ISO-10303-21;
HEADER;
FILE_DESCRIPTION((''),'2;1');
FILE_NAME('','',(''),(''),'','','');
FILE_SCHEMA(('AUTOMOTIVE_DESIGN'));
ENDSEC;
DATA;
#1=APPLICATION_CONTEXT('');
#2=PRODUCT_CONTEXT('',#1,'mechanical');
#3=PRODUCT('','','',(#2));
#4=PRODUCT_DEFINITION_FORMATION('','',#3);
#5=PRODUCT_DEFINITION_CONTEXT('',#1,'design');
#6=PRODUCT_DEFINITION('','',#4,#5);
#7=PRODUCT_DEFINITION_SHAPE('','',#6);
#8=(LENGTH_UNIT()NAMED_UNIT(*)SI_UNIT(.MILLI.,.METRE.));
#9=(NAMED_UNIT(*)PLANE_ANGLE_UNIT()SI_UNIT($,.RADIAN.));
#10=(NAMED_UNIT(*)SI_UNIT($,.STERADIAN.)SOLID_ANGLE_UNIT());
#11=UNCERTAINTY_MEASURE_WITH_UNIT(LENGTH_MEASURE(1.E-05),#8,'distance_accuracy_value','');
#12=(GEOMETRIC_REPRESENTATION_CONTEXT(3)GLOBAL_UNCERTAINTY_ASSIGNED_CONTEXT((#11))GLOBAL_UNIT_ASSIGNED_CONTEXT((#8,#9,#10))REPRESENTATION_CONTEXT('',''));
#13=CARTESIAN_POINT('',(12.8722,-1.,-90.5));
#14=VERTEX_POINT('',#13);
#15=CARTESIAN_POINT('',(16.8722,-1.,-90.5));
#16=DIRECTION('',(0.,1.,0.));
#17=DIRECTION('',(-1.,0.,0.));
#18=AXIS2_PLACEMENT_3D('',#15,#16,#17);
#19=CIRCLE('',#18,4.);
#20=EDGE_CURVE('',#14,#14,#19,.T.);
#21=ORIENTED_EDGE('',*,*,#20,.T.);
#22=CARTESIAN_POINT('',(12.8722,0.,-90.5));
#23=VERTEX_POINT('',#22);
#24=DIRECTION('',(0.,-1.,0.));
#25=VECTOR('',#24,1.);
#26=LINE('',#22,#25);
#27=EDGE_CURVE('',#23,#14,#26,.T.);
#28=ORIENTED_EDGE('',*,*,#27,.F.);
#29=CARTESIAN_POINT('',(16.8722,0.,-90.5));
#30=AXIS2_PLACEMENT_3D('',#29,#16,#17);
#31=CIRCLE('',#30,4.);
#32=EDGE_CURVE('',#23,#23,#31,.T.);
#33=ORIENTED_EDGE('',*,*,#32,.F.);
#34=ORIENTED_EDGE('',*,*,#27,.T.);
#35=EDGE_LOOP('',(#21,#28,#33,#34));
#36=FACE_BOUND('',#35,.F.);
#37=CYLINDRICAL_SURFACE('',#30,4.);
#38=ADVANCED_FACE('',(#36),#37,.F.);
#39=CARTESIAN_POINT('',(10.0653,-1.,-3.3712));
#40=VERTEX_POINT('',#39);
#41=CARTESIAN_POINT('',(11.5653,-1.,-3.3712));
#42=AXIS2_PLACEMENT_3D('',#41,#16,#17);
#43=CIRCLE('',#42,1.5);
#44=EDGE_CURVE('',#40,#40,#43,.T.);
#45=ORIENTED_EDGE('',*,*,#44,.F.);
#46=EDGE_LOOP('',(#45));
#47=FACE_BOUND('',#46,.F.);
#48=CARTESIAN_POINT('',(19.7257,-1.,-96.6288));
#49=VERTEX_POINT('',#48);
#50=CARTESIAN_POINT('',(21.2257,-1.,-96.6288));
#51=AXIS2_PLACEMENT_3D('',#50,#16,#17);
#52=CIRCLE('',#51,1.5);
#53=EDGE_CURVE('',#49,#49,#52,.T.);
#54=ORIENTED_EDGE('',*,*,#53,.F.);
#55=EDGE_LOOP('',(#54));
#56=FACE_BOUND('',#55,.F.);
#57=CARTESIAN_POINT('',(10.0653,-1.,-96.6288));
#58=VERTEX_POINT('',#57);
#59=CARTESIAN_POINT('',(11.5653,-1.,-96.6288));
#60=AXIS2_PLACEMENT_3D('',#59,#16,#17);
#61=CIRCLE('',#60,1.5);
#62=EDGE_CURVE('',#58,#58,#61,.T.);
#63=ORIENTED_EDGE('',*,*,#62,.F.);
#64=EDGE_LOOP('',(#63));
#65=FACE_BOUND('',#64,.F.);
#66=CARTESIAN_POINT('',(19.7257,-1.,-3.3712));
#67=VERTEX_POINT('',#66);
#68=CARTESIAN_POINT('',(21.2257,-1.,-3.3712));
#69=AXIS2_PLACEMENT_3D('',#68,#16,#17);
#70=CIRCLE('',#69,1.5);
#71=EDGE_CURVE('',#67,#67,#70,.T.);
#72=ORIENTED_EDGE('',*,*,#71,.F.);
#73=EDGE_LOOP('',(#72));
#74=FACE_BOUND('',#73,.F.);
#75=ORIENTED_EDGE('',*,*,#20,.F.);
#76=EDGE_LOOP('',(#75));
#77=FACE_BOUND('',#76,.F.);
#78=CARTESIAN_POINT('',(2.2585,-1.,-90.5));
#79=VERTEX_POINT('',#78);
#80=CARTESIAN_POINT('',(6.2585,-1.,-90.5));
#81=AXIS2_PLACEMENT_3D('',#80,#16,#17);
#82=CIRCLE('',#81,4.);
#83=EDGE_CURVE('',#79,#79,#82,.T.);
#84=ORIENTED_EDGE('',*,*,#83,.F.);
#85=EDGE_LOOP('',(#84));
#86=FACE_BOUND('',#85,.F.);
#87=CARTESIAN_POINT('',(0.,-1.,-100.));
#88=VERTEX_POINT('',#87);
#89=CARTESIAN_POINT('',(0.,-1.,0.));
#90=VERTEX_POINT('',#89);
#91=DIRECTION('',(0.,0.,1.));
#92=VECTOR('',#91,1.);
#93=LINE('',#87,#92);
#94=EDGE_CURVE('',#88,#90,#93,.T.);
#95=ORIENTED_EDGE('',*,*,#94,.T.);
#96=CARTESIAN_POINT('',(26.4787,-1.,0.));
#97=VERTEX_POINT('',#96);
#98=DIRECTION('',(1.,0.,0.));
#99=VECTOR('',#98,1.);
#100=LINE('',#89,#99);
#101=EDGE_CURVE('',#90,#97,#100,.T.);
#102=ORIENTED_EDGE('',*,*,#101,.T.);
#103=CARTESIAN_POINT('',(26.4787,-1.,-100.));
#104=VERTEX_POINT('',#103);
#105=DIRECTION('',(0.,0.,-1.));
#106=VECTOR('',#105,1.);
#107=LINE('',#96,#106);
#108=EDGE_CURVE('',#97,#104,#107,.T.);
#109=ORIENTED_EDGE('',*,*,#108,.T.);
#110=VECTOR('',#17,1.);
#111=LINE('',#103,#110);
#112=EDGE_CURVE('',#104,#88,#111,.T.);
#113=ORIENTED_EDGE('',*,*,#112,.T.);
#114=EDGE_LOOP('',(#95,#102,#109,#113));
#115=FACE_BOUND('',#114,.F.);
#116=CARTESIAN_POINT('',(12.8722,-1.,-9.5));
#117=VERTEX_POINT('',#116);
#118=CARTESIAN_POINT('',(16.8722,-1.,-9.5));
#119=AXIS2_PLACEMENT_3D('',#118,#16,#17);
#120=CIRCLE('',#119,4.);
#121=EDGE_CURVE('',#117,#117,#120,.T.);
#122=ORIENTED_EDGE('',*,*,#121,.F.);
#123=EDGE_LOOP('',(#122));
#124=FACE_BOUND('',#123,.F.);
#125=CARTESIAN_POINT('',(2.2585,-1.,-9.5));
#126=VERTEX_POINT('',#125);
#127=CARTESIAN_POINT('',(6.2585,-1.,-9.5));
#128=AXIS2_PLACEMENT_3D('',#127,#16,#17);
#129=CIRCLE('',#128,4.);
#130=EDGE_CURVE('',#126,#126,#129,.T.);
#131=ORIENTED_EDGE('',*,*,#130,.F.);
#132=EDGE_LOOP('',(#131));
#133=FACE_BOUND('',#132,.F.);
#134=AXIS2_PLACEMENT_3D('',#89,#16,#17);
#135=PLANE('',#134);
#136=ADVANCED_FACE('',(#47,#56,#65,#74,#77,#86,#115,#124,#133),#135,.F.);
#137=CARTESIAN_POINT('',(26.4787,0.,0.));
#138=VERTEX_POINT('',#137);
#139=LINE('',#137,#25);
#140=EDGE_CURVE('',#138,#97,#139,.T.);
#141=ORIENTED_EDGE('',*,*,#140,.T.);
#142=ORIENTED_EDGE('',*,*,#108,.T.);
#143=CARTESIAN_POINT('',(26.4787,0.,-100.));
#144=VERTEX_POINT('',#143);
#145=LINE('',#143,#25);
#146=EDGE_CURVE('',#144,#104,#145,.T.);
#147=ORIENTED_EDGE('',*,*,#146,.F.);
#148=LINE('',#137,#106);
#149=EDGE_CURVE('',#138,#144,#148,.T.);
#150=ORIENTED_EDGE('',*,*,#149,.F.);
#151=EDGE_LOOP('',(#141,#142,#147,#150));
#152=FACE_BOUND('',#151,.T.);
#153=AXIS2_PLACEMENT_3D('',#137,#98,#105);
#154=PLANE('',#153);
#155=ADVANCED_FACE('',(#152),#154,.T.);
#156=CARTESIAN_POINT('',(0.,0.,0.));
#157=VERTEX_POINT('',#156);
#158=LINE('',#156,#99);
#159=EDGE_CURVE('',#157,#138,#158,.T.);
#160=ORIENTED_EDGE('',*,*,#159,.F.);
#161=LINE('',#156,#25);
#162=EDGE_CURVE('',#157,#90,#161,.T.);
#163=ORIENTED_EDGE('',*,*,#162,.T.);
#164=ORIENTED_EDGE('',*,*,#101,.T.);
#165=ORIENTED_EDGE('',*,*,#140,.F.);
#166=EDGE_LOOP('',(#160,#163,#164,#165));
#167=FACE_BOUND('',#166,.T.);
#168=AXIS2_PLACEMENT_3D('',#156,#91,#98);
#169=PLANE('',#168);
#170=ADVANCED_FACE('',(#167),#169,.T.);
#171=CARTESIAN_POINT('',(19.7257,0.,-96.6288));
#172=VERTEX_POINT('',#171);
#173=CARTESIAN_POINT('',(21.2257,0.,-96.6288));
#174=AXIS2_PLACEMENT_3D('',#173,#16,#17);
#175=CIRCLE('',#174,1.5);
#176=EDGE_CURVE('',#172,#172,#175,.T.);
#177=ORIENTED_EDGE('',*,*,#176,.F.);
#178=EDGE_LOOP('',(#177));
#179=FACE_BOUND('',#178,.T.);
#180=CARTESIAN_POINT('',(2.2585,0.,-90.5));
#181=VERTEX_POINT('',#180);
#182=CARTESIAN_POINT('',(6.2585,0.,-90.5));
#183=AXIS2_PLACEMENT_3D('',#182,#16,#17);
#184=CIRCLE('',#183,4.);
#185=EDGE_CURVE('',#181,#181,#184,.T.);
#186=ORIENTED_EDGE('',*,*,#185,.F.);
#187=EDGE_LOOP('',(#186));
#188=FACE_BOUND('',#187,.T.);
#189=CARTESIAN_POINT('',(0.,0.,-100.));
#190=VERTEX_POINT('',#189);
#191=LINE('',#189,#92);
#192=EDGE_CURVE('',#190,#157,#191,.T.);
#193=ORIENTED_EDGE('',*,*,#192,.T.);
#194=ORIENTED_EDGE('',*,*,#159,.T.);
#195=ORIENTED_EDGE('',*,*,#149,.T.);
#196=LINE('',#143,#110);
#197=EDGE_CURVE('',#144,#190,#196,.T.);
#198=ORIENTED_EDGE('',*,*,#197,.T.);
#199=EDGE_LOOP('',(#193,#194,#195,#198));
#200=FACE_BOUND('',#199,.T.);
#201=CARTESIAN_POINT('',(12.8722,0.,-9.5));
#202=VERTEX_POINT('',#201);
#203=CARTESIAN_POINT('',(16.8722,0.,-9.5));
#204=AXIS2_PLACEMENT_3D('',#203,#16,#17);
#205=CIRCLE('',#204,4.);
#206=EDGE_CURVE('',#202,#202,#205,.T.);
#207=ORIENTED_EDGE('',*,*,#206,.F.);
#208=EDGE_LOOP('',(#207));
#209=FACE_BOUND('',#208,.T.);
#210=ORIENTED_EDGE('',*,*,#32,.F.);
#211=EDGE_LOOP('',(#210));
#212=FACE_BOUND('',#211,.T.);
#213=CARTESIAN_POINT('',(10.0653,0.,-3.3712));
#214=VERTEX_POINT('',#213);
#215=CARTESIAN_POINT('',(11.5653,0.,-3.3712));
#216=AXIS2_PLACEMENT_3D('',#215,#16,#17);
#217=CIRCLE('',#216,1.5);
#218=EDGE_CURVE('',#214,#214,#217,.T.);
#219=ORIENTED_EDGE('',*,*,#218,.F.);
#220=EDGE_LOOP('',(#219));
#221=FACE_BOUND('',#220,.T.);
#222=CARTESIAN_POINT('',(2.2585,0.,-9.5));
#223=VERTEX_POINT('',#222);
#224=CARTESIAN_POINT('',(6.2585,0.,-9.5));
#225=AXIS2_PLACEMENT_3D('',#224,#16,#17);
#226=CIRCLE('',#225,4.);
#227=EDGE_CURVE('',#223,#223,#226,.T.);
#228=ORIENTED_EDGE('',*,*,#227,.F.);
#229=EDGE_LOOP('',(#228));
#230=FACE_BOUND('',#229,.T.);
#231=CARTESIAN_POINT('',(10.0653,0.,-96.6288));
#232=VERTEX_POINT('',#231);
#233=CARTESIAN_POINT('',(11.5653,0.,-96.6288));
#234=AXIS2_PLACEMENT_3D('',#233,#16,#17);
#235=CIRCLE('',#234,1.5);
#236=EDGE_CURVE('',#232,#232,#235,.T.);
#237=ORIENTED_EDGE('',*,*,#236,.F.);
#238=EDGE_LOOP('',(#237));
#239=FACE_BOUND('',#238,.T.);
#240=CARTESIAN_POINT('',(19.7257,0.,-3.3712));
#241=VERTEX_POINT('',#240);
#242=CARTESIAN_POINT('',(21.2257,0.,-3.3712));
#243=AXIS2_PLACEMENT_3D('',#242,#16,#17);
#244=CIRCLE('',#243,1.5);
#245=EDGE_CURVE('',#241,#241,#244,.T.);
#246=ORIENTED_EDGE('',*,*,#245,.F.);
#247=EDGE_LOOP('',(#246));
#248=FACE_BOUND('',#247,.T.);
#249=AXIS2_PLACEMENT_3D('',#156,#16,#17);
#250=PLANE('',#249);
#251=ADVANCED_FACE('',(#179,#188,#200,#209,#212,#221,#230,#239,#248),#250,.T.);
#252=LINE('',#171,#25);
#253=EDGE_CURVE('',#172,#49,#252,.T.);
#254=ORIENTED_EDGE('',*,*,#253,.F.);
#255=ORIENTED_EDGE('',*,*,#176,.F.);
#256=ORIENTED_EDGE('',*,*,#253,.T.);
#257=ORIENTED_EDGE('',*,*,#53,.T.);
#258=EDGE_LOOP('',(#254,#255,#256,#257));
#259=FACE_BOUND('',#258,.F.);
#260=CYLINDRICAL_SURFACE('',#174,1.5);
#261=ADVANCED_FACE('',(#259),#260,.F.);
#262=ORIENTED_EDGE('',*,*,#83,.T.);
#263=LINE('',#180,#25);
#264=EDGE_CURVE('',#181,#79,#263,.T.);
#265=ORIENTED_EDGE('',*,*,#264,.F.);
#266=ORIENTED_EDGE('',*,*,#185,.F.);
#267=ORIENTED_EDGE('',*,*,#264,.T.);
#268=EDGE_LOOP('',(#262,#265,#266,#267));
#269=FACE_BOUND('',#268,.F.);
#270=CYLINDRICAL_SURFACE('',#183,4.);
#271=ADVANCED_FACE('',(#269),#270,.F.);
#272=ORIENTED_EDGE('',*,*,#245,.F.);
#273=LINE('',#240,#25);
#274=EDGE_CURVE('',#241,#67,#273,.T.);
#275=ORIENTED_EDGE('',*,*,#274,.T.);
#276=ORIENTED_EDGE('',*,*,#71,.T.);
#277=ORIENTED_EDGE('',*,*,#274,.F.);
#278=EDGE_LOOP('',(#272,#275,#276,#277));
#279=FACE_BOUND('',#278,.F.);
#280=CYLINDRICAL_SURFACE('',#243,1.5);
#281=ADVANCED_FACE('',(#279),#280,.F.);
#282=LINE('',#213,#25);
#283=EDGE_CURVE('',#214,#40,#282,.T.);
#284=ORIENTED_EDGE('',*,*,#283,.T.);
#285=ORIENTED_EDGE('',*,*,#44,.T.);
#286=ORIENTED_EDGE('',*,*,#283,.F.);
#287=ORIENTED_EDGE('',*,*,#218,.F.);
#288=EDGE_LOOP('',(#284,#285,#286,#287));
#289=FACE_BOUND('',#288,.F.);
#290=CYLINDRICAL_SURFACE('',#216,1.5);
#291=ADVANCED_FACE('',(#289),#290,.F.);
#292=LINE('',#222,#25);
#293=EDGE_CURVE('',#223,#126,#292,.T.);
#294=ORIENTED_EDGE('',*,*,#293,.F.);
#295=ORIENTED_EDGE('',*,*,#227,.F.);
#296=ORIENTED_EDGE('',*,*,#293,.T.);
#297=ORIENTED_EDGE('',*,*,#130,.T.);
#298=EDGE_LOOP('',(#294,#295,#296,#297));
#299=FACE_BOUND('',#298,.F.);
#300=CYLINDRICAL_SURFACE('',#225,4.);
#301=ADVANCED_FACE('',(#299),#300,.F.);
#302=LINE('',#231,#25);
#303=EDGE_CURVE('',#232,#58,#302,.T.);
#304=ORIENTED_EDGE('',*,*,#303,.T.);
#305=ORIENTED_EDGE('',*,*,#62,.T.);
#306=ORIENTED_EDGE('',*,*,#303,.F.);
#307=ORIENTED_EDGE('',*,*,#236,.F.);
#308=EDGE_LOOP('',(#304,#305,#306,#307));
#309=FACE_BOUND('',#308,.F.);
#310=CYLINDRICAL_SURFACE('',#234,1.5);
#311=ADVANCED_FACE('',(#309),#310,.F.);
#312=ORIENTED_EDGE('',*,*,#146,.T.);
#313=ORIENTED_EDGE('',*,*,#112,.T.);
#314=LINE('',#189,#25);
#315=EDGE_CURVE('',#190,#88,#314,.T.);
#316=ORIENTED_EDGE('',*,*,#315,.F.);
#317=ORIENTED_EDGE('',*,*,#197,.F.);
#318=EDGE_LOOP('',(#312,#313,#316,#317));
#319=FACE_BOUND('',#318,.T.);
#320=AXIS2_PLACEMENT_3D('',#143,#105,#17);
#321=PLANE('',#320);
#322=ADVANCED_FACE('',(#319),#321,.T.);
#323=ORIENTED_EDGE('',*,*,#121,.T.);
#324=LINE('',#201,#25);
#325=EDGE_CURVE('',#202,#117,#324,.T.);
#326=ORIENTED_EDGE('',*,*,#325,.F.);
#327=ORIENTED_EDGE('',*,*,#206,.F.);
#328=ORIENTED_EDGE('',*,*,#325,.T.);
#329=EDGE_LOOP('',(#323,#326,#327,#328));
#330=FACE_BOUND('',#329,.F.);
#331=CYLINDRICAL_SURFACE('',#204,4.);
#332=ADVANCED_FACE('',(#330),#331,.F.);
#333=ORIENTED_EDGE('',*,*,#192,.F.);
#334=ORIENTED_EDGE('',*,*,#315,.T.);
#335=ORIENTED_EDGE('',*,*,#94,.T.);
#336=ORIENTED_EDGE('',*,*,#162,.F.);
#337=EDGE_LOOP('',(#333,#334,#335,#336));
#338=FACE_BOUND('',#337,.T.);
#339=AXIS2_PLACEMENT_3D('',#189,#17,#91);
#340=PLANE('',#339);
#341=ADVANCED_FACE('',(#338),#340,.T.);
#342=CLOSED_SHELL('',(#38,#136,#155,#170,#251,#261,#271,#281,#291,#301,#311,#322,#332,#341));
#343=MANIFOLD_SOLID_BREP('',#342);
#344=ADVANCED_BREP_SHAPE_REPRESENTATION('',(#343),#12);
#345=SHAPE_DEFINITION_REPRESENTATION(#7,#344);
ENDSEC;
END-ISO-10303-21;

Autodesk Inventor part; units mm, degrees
ref_plane "YZ Plane" through (0, 0, 0) normal (1, 0, 0) x (0, 1, 0)
ref_plane "XZ Plane" through (0, 0, 0) normal (0, 1, 0) x (-1, 0, 0)
ref_plane "XY Plane" through (0, 0, 0) normal (0, 0, 1) x (1, 0, 0)
sketch "Sketch1" plane through (0, 0, 0) normal (0, 0, 1) x (1, 0, 0)
  line L0 (0.65, -95.0088) -> (0.65, -83.2008) construction
  line L1 (2.65, -83.2008) -> (2.65, -91.0088) construction
  line L2 (2.65, -91.0088) -> (4.65, -91.0088) construction
  line L3 (4.65, -91.0088) -> (0.65, -95.0088) construction
  circle A0 centre (15.35, -55.1458) radius 14.7 construction
  line L4 (3.0006, -90.8088) -> (30.45, -86.6259)
  line L5 (30.45, -86.6259) -> (30.2994, -85.6374)
  line L6 (30.2994, -85.6374) -> (2.85, -89.8202)
  line L7 (2.85, -89.8202) -> (3.0006, -90.8088)
  line L8 (30.45, -86.6259) -> (30.45, -70.1877) construction
  line L9 (25.65, -86.3458) -> (5.15, -86.3458) projected
  line L10 (5.15, -86.3458) -> (5.15, -69.8458) projected
  line L11 (25.65, -69.8458) -> (5.15, -69.8458) projected
  line L12 (25.65, -86.3458) -> (25.65, -69.8458) projected
  line L13 (0.65, -83.2008) -> (2.65, -83.2008) projected
  dimension "d0" = 1
  dimension "d1" = 0.2
  dimension "d2" = 0.2
  dimension "d3" = 0.4
  dimension "d4" = 0
  dimension "d17" = 27.7662
extrude "Extrusion1" [suppressed]
sketch "Sketch2" plane through (30.45, -86.6259, -50) normal (0.1506, -0.9886, 0) x (0.9886, 0.1506, 0)
  line L0 (-25.9454, 16.5) -> (-25.9454, 83.5) projected
  line L1 (-27.9685, 0) -> (-27.9685, 3) projected
  circle A0 centre (-5.2783, 96.6469) radius 1.5
  circle A1 centre (-14.8697, 96.6469) radius 1.5
  circle A2 centre (-14.8697, 3.3531) radius 1.5
  circle A3 centre (-5.2783, 3.3531) radius 1.5
  circle A4 centre (-9.5918, 90.5) radius 4
  circle A5 centre (-20.1476, 90.5) radius 4
  circle A6 centre (-9.5918, 9.5) radius 4
  circle A7 centre (-20.1476, 9.5) radius 4
  line L2 (-27.3313, 20) -> (-27.3313, 3) projected
  line L3 (-2.2753, 15.5) -> (-24.9339, 15.5) projected
  line L4 (-13.8886, 7.2533) -> (-16.5988, 7.2533) projected
  line L5 (-27.9685, 20) -> (-27.9685, 80) projected
  line L6 (-2.2753, 3.6302) -> (-2.2753, 0) projected
  arc A8 (-7.1381, 5.9818) -> (-2.2753, 3.6302) centre (-5.2753, 3.6302) ccw projected
  arc A9 (-2.2753, 3.6302) -> (-7.1381, 5.9818) centre (-5.2753, 3.6302) ccw projected
  line L7 (-2.2753, 15.5) -> (-2.2753, 3.6302) projected
  line L8 (-27.3313, 3) -> (-27.9685, 3) projected
  ellipse E0 centre (-20.5244, 90.5) end of major axis (-15.9938, 90.5) minor radius 4.5 (-16.5988, 92.7467) -> (-16.5988, 88.2533) ccw projected
  line L9 (-16.5988, 92.7467) -> (-13.8886, 92.7467) projected
  ellipse E1 centre (-9.963, 90.5) end of major axis (-5.4324, 90.5) minor radius 4.5 (-7.1381, 94.0182) -> (-13.8886, 92.7467) ccw projected
  arc A10 (-2.2753, 96.3698) -> (-7.1381, 94.0182) centre (-5.2753, 96.3698) ccw projected
  line L10 (-2.2753, 96.3698) -> (-2.2753, 100) projected
  line L11 (-2.2753, 100) -> (-27.9685, 100) projected
  line L12 (-27.9685, 97) -> (-27.9685, 100) projected
  line L13 (-27.9685, 97) -> (-27.3313, 97) projected
  line L14 (-27.3313, 97) -> (-27.3313, 80) projected
  line L15 (-27.3313, 80) -> (-27.9685, 80) projected
  ellipse E2 centre (-24.9339, 83.5) end of major axis (-25.9454, 83.5) minor radius 1 (-24.9339, 84.5) -> (-25.9454, 83.5) ccw projected
  line L16 (-2.2753, 84.5) -> (-24.9339, 84.5) projected
  line L17 (-2.2753, 84.5) -> (-2.2753, 96.3698) projected
  arc A11 (-7.1381, 94.0182) -> (-2.2753, 96.3698) centre (-5.2753, 96.3698) ccw projected
  ellipse E3 centre (-9.963, 90.5) end of major axis (-5.4324, 90.5) minor radius 4.5 (-13.8886, 88.2533) -> (-7.1381, 94.0182) ccw projected
  line L18 (-13.8886, 88.2533) -> (-16.5988, 88.2533) projected
  circle A12 centre (-15.2437, 96.3698) radius 3 projected
  ellipse E4 centre (-9.963, 9.5) end of major axis (-5.4324, 9.5) minor radius 4.5 (-13.8886, 7.2533) -> (-7.1381, 5.9818) ccw projected
  ellipse E5 centre (-9.963, 9.5) end of major axis (-5.4324, 9.5) minor radius 4.5 (-7.1381, 5.9818) -> (-13.8886, 11.7467) ccw projected
  circle A13 centre (-15.2437, 3.6302) radius 3 projected
  line L19 (-27.9685, 20) -> (-27.3313, 20) projected
  line L20 (-2.2753, 0) -> (-27.9685, 0) projected
  ellipse E6 centre (-20.5244, 9.5) end of major axis (-15.9938, 9.5) minor radius 4.5 (-16.5988, 11.7467) -> (-16.5988, 7.2533) ccw projected
  line L21 (-16.5988, 11.7467) -> (-13.8886, 11.7467) projected
  ellipse E7 centre (-24.9339, 16.5) end of major axis (-25.9454, 16.5) minor radius 1 (-25.9454, 16.5) -> (-24.9339, 15.5) ccw projected
  point P0 (-17.0528, 50)
  point P1 (-16.268, 7.2533)
  point P2 (-16.3079, 7.2533)
  point P3 (-16.3688, 7.2533)
  point P4 (-16.5217, 7.2533)
  point P5 (-16.5463, 7.2533)
  point P6 (-14.6243, 7.2533)
  point P7 (-17.1998, 7.2533)
  point P8 (-9.892, 13.95)
  point P9 (-28.626, 82.5)
  point P10 (-14.5461, 11.7467)
  dimension "d7" = 3
  dimension "d8" = 3
  dimension "d9" = 3
  dimension "d10" = 3
  dimension "d13" = 8
  dimension "d14" = 8
  dimension "d15" = 8
  dimension "d16" = 8
extrude "Extrusion2" [suppressed]
sketch "Sketch5" plane through (0, 0, 0) normal (0, 1, 0) x (-1, 0, 0)
  line L0 (0, -100) -> (0, 0)
  line L1 (0, 0) -> (-26.4787, 0)
  line L2 (-26.4787, 0) -> (-26.4787, -100)
  line L3 (-26.4787, -100) -> (0, -100)
  circle A0 centre (-6.2585, -9.5) radius 4
  circle A1 centre (-21.2257, -96.6288) radius 1.5
  circle A2 centre (-11.5653, -3.3712) radius 1.5
  circle A3 centre (-16.8722, -90.5) radius 4
  circle A4 centre (-16.8722, -9.5) radius 4
  circle A5 centre (-11.5653, -96.6288) radius 1.5
  circle A6 centre (-21.2257, -3.3712) radius 1.5
  circle A7 centre (-6.2585, -90.5) radius 4
  point P0 (0, 0)
  dimension "d2" = 0.2
extrude "Extrusion5" add sketch "Sketch5" against normal blind 1
equation "\"d14\" = d13"
equation "\"d15\" = d13"
equation "\"d16\" = d13"
properties part number "SteelFront" material "Steel, Alloy"
